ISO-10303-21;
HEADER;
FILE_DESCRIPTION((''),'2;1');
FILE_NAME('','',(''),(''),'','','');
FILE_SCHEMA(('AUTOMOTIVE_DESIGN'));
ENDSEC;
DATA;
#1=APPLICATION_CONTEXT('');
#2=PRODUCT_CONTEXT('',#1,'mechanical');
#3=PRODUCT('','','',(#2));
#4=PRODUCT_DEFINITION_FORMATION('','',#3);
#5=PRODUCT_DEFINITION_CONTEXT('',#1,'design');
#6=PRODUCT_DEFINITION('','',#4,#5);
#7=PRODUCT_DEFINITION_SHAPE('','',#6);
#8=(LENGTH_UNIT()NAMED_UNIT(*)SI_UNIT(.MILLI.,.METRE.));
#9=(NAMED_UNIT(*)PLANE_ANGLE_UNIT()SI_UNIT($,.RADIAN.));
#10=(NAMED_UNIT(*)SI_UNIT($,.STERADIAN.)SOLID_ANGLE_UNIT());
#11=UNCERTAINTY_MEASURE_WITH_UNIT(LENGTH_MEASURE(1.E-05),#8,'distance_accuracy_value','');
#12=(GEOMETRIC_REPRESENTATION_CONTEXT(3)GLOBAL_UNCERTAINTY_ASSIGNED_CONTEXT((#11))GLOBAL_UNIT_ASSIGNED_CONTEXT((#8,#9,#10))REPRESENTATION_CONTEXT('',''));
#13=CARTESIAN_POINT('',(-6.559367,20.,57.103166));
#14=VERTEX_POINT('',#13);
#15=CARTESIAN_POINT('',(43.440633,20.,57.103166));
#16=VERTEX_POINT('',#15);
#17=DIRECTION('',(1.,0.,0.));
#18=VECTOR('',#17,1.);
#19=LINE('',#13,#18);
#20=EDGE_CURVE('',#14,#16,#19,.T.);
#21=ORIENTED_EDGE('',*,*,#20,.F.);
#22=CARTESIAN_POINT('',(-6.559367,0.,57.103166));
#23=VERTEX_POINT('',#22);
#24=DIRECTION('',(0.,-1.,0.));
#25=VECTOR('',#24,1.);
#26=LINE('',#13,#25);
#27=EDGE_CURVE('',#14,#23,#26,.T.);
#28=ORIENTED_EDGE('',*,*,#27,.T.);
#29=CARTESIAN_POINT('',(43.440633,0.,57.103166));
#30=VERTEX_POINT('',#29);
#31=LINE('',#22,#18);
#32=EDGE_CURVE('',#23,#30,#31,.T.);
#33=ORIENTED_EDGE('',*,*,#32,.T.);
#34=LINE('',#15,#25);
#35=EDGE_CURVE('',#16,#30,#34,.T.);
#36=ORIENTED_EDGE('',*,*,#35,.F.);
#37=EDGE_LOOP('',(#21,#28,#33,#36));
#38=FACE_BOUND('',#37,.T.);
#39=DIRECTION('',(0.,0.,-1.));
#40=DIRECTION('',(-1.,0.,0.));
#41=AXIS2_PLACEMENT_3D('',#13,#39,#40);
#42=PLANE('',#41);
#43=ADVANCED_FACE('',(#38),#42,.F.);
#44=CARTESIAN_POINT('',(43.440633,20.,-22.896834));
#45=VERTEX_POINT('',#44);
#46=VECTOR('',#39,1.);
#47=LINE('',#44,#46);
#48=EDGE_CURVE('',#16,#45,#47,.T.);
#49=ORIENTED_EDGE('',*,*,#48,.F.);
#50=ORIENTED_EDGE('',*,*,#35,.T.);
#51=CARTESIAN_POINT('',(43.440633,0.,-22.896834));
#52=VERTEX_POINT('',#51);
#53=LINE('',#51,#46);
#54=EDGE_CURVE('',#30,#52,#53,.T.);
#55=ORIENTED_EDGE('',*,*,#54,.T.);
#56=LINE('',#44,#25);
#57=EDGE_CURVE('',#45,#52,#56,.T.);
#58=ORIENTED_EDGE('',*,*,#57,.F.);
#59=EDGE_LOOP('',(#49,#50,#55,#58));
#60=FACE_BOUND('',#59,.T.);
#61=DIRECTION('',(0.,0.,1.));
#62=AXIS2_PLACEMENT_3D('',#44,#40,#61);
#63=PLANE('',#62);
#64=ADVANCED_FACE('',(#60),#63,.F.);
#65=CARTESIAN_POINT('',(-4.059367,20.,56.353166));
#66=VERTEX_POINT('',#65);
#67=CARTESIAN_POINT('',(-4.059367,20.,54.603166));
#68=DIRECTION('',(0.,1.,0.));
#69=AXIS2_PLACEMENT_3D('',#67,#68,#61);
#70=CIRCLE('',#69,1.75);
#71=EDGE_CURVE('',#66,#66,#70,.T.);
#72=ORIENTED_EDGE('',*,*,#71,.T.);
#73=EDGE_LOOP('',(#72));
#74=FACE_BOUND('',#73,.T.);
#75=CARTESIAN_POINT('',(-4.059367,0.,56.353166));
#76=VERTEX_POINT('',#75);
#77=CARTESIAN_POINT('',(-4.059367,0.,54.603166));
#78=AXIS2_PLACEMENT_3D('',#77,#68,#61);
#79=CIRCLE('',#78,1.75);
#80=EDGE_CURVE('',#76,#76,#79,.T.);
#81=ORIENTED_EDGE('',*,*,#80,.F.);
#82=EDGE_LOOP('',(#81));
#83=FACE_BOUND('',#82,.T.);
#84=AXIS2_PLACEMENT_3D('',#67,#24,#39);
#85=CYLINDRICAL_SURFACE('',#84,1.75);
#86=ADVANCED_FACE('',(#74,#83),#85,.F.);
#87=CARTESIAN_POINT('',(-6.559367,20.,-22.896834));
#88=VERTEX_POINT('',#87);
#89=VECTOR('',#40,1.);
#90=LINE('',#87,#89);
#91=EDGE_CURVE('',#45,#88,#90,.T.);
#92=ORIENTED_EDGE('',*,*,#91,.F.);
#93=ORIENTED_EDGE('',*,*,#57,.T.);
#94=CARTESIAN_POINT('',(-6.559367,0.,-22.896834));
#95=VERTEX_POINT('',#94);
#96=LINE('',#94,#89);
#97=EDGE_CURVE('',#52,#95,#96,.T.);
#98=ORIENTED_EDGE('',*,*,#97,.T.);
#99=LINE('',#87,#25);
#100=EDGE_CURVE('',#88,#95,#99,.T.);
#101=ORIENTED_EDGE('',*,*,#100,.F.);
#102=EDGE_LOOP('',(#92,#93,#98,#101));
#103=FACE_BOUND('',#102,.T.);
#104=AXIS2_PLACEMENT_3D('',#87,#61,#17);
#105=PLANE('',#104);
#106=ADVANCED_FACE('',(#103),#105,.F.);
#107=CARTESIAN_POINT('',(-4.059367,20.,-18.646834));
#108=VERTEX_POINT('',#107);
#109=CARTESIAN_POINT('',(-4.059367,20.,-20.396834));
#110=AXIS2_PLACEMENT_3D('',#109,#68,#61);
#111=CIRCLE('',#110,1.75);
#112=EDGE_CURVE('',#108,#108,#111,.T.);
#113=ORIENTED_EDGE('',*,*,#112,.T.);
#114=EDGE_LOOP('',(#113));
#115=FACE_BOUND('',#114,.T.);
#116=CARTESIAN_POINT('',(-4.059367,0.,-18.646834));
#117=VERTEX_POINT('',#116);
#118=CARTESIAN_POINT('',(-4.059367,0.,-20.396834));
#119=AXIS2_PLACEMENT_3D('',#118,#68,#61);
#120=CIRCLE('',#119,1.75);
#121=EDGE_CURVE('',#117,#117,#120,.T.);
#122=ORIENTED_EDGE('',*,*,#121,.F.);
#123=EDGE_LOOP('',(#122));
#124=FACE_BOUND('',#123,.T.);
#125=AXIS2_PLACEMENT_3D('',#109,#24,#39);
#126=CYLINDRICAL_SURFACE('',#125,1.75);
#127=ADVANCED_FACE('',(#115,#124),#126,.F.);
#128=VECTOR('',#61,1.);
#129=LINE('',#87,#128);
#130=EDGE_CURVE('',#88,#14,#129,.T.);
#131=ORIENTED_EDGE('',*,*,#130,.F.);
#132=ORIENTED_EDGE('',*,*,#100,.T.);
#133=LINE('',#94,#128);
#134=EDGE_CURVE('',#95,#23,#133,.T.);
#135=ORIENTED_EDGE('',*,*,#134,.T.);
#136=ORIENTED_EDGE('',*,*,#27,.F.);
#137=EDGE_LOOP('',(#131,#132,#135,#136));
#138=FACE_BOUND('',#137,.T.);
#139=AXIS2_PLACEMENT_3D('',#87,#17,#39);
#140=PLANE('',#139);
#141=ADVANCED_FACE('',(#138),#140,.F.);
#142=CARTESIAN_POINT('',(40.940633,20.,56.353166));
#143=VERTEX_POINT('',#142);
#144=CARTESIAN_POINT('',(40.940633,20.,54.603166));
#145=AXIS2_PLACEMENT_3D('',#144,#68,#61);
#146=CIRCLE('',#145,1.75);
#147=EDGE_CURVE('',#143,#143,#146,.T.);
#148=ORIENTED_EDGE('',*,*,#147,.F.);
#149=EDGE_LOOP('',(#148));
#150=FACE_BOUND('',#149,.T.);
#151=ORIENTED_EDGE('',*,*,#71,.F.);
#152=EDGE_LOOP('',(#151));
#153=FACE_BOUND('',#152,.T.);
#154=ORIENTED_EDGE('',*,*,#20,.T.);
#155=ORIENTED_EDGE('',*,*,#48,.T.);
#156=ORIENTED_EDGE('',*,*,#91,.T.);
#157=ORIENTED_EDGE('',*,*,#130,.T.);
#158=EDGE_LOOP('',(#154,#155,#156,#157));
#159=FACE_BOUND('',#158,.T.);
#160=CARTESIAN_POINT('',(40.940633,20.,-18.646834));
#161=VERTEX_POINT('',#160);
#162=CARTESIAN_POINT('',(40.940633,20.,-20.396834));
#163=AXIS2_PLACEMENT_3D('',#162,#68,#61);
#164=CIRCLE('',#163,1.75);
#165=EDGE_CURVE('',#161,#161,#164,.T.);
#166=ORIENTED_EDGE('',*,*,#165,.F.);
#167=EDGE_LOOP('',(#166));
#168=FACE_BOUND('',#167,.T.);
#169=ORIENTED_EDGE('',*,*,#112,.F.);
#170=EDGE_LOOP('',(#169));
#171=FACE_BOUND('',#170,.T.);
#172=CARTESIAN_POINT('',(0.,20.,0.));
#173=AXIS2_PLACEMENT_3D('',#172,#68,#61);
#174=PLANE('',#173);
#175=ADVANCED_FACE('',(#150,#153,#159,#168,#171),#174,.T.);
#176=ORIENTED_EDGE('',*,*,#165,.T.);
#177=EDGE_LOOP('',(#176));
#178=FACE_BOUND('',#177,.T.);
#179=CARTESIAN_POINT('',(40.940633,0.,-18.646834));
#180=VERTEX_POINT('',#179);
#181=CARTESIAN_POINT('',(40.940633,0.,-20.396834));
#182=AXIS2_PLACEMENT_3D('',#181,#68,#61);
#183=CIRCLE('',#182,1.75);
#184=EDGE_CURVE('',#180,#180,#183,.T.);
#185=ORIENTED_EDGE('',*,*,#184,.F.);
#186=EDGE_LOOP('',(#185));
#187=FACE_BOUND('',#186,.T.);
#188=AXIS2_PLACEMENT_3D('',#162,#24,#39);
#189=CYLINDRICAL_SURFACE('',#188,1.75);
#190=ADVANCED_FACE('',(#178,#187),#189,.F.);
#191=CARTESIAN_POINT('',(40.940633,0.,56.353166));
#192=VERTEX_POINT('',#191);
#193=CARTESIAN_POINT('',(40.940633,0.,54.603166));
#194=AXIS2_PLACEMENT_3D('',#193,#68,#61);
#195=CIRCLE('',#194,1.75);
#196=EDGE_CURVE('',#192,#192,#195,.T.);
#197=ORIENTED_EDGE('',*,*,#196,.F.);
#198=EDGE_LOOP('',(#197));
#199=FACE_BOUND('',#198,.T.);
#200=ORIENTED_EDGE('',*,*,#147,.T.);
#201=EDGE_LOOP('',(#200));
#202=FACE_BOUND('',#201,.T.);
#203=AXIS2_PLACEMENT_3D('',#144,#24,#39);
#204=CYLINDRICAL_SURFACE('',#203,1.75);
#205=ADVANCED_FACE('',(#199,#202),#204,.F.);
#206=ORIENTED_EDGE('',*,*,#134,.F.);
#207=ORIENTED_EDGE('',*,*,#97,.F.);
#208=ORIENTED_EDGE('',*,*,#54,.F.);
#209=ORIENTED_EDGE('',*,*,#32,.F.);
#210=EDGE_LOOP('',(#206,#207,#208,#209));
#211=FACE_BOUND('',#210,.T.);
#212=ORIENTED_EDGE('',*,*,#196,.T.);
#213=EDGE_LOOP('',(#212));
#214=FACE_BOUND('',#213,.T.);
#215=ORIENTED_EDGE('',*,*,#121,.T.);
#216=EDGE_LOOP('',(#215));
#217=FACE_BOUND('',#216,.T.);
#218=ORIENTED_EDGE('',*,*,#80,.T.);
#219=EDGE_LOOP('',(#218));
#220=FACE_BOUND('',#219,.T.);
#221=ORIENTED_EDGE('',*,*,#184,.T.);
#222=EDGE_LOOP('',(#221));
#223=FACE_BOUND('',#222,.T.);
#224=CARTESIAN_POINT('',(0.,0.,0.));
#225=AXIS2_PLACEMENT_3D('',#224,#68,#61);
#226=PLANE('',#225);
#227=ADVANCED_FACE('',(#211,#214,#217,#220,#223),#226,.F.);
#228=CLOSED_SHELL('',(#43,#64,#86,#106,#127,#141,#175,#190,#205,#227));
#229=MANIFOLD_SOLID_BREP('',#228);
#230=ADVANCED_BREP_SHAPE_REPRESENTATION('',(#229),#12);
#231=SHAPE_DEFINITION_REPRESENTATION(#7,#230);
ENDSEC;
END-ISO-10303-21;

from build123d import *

# Parameters (mm, degrees)
SKETCH1_W           = 50
SKETCH1_H           = 80
SKETCH1_R           = 1.75
BOSS_EXTRUDE1_DEPTH = 20


with BuildPart() as part:
    # Sketch1 → Boss-Extrude1 (new body)
    with BuildSketch(Plane(origin=(0, 0, 0), x_dir=(1, 0, 0), z_dir=(0, 1, 0))):
        with Locations((18.440633245, -17.103166227)):
            Rectangle(SKETCH1_W, SKETCH1_H)
        with Locations(Location((40.940633245, 20.396833773, 0), (0, 0, 270))):
            Circle(SKETCH1_R, mode=Mode.SUBTRACT)
        with Locations(Location((-4.059366755, 20.396833773, 0), (0, 0, 270))):
            Circle(SKETCH1_R, mode=Mode.SUBTRACT)
        with Locations(Location((-4.059366755, -54.603166227, 0), (0, 0, 270))):
            Circle(SKETCH1_R, mode=Mode.SUBTRACT)
        with Locations(Location((40.940633245, -54.603166227, 0), (0, 0, 270))):
            Circle(SKETCH1_R, mode=Mode.SUBTRACT)
    extrude(amount=BOSS_EXTRUDE1_DEPTH)


solid = part.part
